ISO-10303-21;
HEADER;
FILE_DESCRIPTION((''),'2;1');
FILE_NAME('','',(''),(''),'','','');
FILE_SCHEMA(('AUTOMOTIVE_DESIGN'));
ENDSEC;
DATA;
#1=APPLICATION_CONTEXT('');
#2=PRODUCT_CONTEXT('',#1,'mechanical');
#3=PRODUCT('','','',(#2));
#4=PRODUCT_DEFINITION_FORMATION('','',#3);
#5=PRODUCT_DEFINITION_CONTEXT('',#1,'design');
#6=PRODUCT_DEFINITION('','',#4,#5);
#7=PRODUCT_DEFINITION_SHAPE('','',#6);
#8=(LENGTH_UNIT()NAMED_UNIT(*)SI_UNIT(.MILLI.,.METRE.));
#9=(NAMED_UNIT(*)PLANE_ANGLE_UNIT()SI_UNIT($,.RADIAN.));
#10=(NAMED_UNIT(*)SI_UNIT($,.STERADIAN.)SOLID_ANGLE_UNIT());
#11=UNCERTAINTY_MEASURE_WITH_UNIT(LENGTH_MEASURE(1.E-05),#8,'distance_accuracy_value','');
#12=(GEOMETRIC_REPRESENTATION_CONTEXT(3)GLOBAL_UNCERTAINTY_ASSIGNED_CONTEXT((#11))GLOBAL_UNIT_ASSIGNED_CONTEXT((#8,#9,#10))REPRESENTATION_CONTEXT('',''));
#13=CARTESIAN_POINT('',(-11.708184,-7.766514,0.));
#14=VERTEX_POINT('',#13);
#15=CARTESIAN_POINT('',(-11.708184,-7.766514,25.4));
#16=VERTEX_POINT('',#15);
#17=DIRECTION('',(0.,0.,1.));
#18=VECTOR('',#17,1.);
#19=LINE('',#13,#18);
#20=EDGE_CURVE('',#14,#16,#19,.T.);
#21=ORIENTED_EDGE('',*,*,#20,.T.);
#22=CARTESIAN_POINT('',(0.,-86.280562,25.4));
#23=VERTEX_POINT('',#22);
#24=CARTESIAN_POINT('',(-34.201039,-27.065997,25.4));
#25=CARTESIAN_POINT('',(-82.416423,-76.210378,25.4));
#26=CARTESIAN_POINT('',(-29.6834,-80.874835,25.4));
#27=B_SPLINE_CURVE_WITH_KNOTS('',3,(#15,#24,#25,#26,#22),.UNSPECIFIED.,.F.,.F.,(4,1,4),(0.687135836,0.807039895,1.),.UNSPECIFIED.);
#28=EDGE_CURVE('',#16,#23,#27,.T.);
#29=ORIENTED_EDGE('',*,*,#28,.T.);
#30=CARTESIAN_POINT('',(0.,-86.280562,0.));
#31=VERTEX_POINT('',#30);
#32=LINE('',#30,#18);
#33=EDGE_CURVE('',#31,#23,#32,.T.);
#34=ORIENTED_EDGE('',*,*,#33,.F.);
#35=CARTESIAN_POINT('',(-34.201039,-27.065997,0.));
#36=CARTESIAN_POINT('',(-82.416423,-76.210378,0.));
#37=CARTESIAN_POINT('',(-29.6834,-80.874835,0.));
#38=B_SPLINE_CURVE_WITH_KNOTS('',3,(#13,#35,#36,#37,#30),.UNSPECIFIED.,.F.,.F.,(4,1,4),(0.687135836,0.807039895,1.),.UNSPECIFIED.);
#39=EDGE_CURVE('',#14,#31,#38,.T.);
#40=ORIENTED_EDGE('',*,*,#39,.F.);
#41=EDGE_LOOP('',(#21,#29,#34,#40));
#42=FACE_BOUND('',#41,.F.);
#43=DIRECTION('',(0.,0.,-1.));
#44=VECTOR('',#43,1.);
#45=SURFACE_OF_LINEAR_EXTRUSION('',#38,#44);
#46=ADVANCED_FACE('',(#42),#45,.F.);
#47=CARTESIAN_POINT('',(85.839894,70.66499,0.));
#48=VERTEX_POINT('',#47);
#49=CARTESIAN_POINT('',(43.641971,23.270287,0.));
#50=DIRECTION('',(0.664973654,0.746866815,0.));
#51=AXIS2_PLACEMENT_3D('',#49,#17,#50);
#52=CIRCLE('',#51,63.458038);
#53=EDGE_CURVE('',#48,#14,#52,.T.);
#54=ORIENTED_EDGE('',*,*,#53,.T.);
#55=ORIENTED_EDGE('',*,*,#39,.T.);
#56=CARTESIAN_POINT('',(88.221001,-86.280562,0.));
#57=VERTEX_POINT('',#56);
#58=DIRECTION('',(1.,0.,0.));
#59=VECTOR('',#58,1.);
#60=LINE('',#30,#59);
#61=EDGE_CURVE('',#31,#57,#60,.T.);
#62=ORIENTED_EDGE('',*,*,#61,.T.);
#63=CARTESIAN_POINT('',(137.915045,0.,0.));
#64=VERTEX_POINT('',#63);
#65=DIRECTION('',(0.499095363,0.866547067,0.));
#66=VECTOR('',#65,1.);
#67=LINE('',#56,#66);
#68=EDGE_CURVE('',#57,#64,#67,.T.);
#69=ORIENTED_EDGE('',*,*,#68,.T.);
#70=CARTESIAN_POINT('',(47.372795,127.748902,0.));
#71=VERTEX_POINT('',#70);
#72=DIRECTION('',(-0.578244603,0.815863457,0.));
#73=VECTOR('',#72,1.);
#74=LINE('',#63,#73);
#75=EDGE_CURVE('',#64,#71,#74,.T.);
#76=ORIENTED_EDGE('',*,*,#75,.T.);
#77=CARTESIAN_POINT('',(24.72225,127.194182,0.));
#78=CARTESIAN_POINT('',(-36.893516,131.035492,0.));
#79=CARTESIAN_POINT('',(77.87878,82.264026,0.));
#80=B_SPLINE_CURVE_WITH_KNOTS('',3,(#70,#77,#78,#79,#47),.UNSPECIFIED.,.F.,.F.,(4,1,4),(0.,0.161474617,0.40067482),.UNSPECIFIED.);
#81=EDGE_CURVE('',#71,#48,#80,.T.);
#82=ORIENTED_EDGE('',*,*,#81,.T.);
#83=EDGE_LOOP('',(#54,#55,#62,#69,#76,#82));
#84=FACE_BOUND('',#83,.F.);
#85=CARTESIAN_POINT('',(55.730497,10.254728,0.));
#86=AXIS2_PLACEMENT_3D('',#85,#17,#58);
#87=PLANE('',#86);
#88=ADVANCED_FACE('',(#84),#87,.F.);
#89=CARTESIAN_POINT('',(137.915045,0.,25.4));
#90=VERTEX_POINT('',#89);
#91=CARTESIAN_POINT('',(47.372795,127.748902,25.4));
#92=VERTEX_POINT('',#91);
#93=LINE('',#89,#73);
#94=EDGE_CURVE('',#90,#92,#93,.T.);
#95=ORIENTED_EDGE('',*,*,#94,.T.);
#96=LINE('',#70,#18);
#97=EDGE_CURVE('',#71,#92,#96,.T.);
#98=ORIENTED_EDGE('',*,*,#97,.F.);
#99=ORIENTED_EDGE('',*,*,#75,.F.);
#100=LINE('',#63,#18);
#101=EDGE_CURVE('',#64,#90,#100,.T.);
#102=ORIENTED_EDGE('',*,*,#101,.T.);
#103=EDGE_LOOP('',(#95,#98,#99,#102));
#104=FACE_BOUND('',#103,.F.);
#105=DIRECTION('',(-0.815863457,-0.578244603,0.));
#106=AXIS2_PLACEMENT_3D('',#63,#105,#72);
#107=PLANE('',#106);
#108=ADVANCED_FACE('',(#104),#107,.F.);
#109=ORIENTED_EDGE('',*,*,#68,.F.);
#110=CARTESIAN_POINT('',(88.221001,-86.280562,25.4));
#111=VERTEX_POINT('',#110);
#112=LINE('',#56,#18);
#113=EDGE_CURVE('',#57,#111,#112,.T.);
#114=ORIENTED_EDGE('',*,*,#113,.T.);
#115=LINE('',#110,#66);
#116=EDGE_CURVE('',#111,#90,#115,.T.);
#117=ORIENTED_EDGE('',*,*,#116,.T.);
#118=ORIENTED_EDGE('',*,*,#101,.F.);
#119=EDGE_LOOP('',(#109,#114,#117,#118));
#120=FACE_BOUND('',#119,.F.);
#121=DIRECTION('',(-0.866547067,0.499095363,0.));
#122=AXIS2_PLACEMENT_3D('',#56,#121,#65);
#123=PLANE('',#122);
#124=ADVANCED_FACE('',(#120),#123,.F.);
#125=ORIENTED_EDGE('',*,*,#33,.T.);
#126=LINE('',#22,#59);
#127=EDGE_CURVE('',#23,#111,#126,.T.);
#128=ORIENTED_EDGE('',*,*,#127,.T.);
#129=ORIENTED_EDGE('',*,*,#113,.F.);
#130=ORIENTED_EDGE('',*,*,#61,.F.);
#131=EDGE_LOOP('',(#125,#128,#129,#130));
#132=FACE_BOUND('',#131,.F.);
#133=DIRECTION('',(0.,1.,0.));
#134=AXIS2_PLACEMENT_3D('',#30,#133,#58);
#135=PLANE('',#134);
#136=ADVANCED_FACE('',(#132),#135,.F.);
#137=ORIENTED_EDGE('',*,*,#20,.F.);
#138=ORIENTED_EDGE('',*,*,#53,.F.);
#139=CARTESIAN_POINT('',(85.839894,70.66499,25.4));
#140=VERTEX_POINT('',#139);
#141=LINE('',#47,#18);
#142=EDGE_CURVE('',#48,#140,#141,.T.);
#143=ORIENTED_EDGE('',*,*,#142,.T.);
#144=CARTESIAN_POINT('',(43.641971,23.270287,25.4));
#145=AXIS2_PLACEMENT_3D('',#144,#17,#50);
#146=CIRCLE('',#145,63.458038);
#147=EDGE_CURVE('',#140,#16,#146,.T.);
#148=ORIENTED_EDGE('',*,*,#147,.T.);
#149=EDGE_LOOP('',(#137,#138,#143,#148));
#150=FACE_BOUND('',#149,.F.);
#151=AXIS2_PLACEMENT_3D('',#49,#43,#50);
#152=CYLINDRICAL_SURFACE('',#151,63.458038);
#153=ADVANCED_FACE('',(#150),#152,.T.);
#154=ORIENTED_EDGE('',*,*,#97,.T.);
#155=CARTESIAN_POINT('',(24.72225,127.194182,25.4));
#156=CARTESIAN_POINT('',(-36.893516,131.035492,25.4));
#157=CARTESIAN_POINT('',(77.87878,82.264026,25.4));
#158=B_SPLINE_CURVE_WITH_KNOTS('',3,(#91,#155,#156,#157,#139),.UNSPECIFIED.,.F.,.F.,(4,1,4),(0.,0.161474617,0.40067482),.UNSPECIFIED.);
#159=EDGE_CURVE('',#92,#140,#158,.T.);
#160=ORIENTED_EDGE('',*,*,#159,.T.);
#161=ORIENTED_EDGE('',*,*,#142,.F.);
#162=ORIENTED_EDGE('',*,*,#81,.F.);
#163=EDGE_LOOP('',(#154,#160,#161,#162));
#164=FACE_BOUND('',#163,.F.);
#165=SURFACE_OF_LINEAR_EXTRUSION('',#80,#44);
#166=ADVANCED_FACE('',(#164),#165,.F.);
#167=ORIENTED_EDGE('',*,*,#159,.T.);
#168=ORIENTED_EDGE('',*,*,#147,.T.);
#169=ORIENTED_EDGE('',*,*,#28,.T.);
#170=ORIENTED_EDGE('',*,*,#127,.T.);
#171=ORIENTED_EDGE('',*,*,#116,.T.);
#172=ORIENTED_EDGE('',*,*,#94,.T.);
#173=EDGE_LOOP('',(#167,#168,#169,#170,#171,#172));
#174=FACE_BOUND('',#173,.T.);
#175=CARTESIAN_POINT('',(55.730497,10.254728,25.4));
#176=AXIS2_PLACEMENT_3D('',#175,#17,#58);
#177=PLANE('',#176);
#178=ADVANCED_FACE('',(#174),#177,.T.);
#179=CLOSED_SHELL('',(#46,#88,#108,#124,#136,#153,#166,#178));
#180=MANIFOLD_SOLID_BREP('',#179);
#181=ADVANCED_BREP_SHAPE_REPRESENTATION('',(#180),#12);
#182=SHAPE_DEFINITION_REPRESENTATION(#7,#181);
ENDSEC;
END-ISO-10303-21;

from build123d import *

# Parameters (mm, degrees)
F1_DEPTH = 25.4


with BuildPart() as f1:
    # F0 (on Top) → F1 (new body)
    with BuildSketch(Plane.XY):
        with BuildLine():
            ThreePointArc((-11.7081835018, -7.7665143543), (59.6811480437, -38.127330417), (107.1000091665, 23.2702869661))
            ThreePointArc((107.1000091665, 23.2702869661), (104.1082493558, 42.5252029756), (95.4150658412, 59.9645543878))
            ThreePointArc((95.4150658412, 59.9645543878), (90.9311124747, 65.5864743042), (85.839894487, 70.6649899084))
            add(Edge.make_bspline(
                [(85.839894487, 70.6649899084), (87.6005318882, 68.0998092399), (85.9514364748, 65.7543116615), (86.1645179317, 65.8607681858), (28.4050818403, 26.6517596455), (-11.7081835018, -7.7665143543)],
                knots=[0.4006748205, 0.4006748205, 0.4006748205, 0.4006748205, 0.4535750536, 0.4733015683, 0.6871358358, 0.6871358358, 0.6871358358, 0.6871358358], degree=3))
        make_face()
        with BuildLine():
            ThreePointArc((95.4150658412, 59.9645543878), (104.1082493558, 42.5252029756), (107.1000091665, 23.2702869661))
            ThreePointArc((107.1000091665, 23.2702869661), (59.6811480437, -38.127330417), (-11.7081835018, -7.7665143543))
            add(Edge.make_bspline(
                [(-11.7081835018, -7.7665143543), (-34.2010392805, -27.065997122), (-82.4164228968, -76.2103782849), (-29.6834002558, -80.8748349345), (0, -86.2805619836)],
                knots=[0.6871358358, 0.6871358358, 0.6871358358, 0.6871358358, 0.8070398949, 1, 1, 1, 1], degree=3))
            Line((0, -86.2805619836), (88.2210006001, -86.2805619836))
            Line((88.2210006001, -86.2805619836), (137.915045023, 0))
            Line((137.915045023, 0), (95.4150658412, 59.9645543878))
        make_face()
        with BuildLine():
            ThreePointArc((85.839894487, 70.6649899084), (90.9311124747, 65.5864743042), (95.4150658412, 59.9645543878))
            Line((95.4150658412, 59.9645543878), (47.3727946642, 127.7489024833))
            add(Edge.make_bspline(
                [(47.3727946642, 127.7489024833), (24.7222504454, 127.194182006), (-36.893516181, 131.0354918084), (77.878779773, 82.2640264565), (85.839894487, 70.6649899084)],
                knots=[0, 0, 0, 0, 0.1614746174, 0.4006748205, 0.4006748205, 0.4006748205, 0.4006748205], degree=3))
        make_face()
        with BuildLine():
            ThreePointArc((85.839894487, 70.6649899084), (3.8786648091, 72.7253384391), (-11.7081835018, -7.7665143543))
            add(Edge.make_bspline(
                [(85.839894487, 70.6649899084), (87.6005318882, 68.0998092399), (85.9514364748, 65.7543116615), (86.1645179317, 65.8607681858), (28.4050818403, 26.6517596455), (-11.7081835018, -7.7665143543)],
                knots=[0.4006748205, 0.4006748205, 0.4006748205, 0.4006748205, 0.4535750536, 0.4733015683, 0.6871358358, 0.6871358358, 0.6871358358, 0.6871358358], degree=3))
        make_face()
    extrude(amount=F1_DEPTH)


solid = f1.part
